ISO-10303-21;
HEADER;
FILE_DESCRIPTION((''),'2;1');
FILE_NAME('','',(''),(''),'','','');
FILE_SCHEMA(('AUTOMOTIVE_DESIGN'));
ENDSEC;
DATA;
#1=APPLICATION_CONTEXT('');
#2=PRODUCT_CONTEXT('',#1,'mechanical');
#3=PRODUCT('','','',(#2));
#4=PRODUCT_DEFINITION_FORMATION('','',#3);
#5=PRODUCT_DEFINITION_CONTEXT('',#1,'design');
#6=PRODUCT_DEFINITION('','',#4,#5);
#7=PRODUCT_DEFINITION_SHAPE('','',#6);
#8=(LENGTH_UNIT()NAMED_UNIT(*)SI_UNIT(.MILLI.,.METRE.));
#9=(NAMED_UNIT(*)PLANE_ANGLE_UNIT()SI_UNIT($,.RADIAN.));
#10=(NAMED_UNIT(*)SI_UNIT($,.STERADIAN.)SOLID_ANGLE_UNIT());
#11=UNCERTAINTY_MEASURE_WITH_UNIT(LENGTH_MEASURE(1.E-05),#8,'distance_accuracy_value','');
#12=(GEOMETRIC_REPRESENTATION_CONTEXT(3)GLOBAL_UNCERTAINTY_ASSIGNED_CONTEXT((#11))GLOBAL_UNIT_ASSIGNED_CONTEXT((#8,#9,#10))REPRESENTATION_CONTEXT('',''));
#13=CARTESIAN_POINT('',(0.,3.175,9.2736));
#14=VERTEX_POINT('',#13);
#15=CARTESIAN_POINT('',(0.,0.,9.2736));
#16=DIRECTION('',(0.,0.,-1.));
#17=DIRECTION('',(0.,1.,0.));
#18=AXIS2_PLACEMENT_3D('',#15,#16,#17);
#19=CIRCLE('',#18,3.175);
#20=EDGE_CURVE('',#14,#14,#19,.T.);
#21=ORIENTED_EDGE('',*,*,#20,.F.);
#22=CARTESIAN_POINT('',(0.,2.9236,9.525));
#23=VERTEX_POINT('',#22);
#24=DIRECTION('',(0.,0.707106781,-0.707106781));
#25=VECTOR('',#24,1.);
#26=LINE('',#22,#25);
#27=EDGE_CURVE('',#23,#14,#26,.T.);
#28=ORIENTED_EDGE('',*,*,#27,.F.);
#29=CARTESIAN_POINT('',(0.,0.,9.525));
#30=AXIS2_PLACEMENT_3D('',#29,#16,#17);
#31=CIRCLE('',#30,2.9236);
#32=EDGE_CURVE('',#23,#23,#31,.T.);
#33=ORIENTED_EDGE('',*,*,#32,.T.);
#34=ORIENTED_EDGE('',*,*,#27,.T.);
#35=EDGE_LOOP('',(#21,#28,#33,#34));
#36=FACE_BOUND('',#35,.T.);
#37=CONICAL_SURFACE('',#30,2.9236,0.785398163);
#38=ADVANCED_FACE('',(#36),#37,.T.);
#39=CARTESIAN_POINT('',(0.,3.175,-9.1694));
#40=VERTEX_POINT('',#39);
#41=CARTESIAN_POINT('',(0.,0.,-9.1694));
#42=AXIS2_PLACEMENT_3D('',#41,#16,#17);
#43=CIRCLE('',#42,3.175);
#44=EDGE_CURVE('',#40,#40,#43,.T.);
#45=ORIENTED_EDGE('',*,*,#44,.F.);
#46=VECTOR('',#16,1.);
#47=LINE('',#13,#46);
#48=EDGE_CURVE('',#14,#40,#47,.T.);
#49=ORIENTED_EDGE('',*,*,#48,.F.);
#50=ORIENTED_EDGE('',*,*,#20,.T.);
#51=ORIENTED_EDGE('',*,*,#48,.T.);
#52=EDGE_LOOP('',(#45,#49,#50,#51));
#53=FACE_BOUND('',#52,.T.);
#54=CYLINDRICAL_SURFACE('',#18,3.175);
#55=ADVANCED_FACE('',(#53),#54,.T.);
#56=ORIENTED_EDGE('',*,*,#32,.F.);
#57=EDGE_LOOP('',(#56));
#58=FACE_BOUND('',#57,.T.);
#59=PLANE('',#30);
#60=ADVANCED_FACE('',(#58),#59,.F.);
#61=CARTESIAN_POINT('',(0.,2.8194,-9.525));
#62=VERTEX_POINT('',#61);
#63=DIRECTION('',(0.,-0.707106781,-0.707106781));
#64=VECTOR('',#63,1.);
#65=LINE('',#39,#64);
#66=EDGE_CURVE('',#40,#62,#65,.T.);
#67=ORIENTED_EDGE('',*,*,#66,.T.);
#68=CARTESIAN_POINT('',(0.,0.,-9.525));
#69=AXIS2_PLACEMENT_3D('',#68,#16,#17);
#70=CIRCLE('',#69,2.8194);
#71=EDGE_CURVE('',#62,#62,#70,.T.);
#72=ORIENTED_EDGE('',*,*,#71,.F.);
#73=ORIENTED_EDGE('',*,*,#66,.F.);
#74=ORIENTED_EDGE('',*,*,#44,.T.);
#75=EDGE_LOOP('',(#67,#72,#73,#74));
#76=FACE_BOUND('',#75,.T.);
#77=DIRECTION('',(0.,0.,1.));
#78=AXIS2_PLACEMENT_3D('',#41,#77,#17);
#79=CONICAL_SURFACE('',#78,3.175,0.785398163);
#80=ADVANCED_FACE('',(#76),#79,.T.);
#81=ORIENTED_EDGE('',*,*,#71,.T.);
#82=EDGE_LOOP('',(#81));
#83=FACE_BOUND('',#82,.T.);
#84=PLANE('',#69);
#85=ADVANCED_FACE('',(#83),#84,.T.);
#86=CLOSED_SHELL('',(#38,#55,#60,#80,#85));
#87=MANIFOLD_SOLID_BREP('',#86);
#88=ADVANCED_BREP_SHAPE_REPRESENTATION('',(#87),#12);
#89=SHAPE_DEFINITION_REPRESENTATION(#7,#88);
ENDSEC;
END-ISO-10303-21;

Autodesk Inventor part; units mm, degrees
sketch "Sketch_1" plane through (0, 0, 0) normal (1, 0, 0) x (0, 1, 0)
  line L0 (0, -9.525) -> (0, 9.525)
  line L1 (0, 9.525) -> (2.9236, 9.525)
  line L2 (2.9236, 9.525) -> (3.175, 9.2736)
  line L3 (3.175, 9.2736) -> (3.175, -9.1694)
  line L4 (3.175, -9.1694) -> (2.8194, -9.525)
  line L5 (2.8194, -9.525) -> (0, -9.525)
  line L6 (0, -9.525) -> (0, 9.525)
revolve "Revolution1" add sketch "Sketch_1" angle 360 about axis through (0, 0, -9.525) along (0, 0, -1)
ref_plane "dia1_XY" through (-3.175, 0, 0) normal (0, 0, 1) x (1, 0, 0)
ref_plane "dia1_YZ" through (-3.175, 0, 0) normal (1, 0, 0) x (0, 1, 0)
ref_plane "dia1_ZX" through (-3.175, 0, 0) normal (0, 1, 0) x (0, 0, 1)
ref_plane "dia2_XY" through (3.175, 0, 0) normal (0, 0, 1) x (1, 0, 0)
ref_plane "dia2_YZ" through (3.175, 0, 0) normal (1, 0, 0) x (0, 1, 0)
ref_plane "dia2_ZX" through (3.175, 0, 0) normal (0, 1, 0) x (0, 0, 1)
ref_plane "pin_XY" through (0, 0, 0) normal (0, 0, 1) x (1, 0, 0)
ref_plane "pin_YZ" through (0, 0, 0) normal (1, 0, 0) x (0, 1, 0)
ref_plane "pin_ZX" through (0, 0, 0) normal (0, 1, 0) x (0, 0, 1)
ref_plane "pin1_XY" through (0, 0, 9.525) normal (1, 0, 0) x (0, 0, -1)
ref_plane "pin1_YZ" through (0, 0, 9.525) normal (0, 0, -1) x (0, 1, 0)
ref_plane "pin1_ZX" through (0, 0, 9.525) normal (0, 1, 0) x (1, 0, 0)
ref_plane "pin2_XY" through (0, 0, -9.525) normal (1, 0, 0) x (0, 0, -1)
ref_plane "pin2_YZ" through (0, 0, -9.525) normal (0, 0, -1) x (0, 1, 0)
ref_plane "pin2_ZX" through (0, 0, -9.525) normal (0, 1, 0) x (1, 0, 0)
properties part number "D-51" material "Stainless Steel"
